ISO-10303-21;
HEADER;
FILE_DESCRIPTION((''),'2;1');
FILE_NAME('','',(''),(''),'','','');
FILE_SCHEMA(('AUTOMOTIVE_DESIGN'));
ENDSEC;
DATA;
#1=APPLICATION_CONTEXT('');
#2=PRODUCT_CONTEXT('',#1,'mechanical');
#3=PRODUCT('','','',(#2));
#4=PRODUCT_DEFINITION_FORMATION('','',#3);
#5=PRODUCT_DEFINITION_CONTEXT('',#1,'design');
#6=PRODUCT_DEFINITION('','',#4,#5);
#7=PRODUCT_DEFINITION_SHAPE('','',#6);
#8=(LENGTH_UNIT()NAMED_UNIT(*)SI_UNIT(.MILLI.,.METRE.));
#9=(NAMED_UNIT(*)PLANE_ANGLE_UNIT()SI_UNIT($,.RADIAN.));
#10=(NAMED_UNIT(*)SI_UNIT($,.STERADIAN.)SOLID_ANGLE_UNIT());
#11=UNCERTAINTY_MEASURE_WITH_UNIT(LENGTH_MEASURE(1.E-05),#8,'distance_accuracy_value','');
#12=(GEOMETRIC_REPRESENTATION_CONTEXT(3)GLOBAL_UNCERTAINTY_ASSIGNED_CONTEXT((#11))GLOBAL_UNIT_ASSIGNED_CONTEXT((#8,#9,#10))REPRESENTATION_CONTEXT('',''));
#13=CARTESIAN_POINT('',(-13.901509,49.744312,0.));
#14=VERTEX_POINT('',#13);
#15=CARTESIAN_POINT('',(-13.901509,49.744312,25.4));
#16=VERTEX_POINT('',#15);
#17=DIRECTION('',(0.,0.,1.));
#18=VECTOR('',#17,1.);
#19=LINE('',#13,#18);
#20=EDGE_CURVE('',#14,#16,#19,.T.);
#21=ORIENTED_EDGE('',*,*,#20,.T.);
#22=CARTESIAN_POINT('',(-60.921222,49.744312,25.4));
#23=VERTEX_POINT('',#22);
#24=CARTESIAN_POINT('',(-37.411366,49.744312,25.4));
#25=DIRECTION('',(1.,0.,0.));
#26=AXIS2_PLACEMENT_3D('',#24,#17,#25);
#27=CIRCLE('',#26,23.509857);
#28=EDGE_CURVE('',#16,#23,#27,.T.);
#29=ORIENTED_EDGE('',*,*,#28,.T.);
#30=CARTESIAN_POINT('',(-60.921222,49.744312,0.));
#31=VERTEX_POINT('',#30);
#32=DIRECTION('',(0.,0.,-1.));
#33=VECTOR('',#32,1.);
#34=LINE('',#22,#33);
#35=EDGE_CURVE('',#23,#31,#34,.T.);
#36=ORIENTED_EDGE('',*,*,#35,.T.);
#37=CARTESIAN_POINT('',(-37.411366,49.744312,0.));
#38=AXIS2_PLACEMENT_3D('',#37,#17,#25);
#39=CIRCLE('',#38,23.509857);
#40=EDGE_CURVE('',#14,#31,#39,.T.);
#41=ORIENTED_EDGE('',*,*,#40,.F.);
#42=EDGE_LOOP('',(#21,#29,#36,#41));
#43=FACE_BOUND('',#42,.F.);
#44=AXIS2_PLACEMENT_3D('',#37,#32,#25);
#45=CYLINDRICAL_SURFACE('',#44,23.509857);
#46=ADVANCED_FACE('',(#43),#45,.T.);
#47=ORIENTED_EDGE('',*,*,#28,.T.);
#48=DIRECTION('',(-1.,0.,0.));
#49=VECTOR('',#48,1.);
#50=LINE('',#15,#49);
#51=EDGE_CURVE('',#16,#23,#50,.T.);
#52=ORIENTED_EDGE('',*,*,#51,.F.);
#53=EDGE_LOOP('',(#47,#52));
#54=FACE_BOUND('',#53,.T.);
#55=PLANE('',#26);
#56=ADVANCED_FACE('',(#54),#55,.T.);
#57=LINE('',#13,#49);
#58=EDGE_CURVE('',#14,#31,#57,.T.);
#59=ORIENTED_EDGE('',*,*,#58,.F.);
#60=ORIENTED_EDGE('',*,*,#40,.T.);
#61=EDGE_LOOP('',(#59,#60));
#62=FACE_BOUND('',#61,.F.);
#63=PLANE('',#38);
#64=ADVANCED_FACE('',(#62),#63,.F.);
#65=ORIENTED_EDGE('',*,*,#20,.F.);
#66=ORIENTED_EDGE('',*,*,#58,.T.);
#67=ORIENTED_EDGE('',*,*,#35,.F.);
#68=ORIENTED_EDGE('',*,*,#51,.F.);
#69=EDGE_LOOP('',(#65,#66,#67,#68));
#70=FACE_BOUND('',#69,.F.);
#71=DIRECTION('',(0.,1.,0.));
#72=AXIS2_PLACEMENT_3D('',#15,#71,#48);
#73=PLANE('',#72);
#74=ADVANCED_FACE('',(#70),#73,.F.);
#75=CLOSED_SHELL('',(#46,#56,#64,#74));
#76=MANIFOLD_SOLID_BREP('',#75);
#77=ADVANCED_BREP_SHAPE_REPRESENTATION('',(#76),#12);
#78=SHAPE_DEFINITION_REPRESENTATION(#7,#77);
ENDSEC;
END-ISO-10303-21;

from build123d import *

# Parameters (mm, degrees)
F0_R     = 23.5098565324
F1_DEPTH = 25.4
F3_DEPTH = 25.4


with BuildPart() as f1:
    # F0 (on Top) → F1 (new body)
    with BuildSketch(Plane.XY):
        with Locations((-37.411365658, 49.7443117201)):
            Circle(F0_R)
    extrude(amount=F1_DEPTH)

    # F2 (on face) → F3 (cut)
    with BuildSketch(Plane.XY.offset(25.4)):
        with BuildLine():
            Line((-13.9015091256, 49.7443117201), (-37.411365658, 49.7443117201))
            Line((-37.411365658, 49.7443117201), (-60.9212221905, 49.7443117201))
            ThreePointArc((-60.9212221905, 49.7443117201), (-37.411365658, 26.2344551877), (-13.9015091256, 49.7443117201))
        make_face()
    extrude(amount=-F3_DEPTH, mode=Mode.SUBTRACT)


solid = f1.part
